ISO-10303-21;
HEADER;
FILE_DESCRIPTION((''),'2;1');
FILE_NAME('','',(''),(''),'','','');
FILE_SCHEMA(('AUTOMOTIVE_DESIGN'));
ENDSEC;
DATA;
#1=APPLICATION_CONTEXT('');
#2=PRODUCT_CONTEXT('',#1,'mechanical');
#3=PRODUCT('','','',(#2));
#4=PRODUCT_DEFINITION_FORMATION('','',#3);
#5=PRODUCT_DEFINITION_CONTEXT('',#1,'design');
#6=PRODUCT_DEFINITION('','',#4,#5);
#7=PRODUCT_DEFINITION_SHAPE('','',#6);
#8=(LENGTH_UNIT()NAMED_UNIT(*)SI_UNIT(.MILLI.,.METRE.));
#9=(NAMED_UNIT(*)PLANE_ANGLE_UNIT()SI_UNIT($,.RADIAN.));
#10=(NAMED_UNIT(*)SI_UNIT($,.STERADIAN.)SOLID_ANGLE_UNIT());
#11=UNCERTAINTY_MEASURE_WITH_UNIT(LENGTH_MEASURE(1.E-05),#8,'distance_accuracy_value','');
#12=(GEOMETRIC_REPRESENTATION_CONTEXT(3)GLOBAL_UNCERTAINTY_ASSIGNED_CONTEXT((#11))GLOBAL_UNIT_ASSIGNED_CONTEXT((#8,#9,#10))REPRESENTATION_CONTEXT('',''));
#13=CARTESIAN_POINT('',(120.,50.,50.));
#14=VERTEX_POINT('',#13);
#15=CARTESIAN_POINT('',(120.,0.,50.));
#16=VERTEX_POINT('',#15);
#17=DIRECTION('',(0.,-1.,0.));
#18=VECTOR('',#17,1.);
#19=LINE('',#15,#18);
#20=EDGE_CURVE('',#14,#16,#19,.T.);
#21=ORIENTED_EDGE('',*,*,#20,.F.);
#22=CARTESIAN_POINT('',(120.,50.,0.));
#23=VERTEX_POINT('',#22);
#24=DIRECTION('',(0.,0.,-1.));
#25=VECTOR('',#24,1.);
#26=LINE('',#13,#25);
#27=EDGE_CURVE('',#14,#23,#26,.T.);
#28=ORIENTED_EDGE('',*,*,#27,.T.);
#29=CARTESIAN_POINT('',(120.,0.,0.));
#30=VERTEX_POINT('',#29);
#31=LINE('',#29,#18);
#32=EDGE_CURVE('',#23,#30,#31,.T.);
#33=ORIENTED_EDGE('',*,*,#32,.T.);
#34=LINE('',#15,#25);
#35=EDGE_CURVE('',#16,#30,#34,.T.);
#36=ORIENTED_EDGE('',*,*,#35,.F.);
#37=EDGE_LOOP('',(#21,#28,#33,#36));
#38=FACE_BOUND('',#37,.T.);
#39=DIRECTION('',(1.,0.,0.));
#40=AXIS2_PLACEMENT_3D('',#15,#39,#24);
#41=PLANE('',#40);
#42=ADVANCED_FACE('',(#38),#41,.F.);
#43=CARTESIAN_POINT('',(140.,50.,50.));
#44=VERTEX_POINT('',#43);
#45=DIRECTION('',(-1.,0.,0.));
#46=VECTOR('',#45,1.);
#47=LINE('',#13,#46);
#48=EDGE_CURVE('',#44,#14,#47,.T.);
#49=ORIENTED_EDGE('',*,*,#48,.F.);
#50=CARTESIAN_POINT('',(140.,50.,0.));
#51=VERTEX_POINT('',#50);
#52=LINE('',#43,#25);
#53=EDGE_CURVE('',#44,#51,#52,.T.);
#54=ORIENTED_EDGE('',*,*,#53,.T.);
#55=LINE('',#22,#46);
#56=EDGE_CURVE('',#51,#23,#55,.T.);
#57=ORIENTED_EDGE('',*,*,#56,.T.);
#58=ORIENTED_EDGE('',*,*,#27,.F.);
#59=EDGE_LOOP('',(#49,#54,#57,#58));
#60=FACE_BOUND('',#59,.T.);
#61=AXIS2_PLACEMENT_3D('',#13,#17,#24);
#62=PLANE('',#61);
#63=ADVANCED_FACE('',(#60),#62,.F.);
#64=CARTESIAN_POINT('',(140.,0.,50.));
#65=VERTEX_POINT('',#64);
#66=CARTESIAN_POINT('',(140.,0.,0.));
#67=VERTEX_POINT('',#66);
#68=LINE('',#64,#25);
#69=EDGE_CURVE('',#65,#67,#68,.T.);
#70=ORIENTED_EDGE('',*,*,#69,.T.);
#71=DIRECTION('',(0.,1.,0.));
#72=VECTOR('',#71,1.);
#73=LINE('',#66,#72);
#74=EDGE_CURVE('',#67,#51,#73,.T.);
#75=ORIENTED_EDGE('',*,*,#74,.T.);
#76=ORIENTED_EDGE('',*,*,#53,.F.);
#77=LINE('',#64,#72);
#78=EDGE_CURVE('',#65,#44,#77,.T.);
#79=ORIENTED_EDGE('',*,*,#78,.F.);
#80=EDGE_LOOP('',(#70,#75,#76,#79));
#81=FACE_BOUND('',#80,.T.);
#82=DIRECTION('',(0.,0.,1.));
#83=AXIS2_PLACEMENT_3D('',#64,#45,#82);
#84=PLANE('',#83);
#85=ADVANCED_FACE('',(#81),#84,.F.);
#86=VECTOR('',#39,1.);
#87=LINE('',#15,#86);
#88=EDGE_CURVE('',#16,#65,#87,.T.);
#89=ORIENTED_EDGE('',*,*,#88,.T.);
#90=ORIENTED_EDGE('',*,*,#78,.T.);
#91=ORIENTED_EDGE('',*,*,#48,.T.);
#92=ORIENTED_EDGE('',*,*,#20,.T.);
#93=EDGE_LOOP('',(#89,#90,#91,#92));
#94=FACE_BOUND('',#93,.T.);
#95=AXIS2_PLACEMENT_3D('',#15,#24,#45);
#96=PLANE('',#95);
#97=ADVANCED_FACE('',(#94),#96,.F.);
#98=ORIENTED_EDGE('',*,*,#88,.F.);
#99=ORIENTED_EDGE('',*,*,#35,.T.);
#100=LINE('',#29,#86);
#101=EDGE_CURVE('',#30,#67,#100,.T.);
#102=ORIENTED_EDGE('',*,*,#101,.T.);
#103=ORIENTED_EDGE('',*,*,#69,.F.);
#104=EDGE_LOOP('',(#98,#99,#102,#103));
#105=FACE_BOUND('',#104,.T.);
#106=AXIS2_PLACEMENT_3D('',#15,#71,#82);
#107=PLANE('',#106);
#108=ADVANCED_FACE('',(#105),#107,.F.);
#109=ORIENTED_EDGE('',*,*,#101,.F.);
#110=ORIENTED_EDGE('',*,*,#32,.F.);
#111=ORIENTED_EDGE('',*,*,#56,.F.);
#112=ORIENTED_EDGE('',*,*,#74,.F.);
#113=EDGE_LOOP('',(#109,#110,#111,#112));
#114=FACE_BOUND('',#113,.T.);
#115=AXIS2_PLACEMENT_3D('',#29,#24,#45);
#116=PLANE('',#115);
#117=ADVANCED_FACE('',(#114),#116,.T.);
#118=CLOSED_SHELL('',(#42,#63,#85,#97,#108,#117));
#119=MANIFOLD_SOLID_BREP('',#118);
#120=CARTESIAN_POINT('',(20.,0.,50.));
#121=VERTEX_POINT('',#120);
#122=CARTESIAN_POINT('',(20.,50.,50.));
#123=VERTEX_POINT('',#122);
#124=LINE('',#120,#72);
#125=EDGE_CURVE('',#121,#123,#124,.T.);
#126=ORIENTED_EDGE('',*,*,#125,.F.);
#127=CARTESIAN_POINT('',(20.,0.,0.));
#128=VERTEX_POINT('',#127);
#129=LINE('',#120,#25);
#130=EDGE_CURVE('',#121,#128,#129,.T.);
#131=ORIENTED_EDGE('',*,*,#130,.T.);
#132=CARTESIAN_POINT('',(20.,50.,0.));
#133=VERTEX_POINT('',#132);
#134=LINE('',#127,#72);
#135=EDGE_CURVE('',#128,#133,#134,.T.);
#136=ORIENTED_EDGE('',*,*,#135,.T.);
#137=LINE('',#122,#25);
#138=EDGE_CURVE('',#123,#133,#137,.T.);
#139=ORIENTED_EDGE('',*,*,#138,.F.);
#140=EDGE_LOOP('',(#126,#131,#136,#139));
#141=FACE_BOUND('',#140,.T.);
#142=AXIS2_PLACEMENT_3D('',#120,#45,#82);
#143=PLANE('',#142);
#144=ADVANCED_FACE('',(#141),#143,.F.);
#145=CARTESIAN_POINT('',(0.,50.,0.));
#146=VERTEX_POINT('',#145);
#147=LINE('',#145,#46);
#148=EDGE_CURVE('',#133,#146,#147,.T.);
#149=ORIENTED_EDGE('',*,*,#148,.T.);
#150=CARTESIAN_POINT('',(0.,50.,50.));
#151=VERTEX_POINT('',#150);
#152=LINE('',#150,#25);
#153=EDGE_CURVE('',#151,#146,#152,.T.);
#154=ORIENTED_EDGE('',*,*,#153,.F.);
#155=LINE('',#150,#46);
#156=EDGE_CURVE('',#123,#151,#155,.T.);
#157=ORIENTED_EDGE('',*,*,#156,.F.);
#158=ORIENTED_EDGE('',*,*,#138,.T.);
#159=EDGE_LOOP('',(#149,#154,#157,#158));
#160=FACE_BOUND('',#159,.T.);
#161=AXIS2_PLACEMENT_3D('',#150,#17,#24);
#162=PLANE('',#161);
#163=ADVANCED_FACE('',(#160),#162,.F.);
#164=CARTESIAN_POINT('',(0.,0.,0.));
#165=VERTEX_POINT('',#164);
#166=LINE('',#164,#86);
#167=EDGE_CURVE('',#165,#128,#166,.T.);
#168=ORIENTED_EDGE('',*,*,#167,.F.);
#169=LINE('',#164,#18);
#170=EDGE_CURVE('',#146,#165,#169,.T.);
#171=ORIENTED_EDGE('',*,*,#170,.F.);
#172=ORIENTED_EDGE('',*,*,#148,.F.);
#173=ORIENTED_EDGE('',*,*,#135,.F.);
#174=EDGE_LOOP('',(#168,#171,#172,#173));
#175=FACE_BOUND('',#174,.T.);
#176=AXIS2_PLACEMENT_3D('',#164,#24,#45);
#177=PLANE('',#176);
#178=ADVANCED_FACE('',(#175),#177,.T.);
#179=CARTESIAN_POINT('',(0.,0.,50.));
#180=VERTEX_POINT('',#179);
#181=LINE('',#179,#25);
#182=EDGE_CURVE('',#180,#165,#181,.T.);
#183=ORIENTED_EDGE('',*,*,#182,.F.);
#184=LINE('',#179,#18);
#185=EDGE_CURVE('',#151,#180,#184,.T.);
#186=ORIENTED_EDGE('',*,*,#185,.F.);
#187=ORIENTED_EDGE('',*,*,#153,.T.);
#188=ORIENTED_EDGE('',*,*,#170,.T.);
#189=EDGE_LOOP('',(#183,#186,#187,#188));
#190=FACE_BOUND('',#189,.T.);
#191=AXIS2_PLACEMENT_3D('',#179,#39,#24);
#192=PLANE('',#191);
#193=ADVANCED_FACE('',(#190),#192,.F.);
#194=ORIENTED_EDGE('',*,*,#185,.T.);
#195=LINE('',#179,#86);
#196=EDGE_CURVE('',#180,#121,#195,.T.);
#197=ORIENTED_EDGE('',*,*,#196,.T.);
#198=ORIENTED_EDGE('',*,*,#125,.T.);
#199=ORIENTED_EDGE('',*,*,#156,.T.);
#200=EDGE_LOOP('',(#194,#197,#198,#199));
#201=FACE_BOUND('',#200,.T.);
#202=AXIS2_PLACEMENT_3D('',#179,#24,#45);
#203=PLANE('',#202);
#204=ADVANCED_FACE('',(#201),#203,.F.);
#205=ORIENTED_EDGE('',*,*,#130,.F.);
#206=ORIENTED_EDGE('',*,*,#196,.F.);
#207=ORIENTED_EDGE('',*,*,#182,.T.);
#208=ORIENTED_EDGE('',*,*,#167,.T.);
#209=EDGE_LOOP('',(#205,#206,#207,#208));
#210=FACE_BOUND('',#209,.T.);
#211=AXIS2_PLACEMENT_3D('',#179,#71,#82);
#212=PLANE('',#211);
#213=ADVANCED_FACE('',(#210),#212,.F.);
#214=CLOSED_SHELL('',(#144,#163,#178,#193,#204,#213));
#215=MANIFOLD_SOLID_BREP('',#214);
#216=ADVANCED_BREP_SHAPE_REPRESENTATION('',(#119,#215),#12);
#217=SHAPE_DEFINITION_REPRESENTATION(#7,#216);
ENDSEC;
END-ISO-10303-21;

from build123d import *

# Parameters (mm, degrees)
SZKIC1_W                    = 20
SZKIC1_H                    = 50
DODANIE_WYCI_GNI_CIE1_DEPTH = 50
SZYK_LINIOWY1_COUNT         = 2
SZYK_LINIOWY1_PITCH         = 120


with BuildPart() as part:
    # Szkic1 → Dodanie-wyciągnięcie1 (new body)
    with BuildSketch(Plane.XY):
        with Locations((10, 25)):
            Rectangle(SZKIC1_W, SZKIC1_H)
    extrude(amount=DODANIE_WYCI_GNI_CIE1_DEPTH)


with BuildPart() as szyk_liniowy1_1:
    # Szyk liniowy1: pattern copy
    add(part.part.moved(Location(Vector(1, 0, 0) * (1 * SZYK_LINIOWY1_PITCH))))


solid = Compound([part.part, szyk_liniowy1_1.part])
